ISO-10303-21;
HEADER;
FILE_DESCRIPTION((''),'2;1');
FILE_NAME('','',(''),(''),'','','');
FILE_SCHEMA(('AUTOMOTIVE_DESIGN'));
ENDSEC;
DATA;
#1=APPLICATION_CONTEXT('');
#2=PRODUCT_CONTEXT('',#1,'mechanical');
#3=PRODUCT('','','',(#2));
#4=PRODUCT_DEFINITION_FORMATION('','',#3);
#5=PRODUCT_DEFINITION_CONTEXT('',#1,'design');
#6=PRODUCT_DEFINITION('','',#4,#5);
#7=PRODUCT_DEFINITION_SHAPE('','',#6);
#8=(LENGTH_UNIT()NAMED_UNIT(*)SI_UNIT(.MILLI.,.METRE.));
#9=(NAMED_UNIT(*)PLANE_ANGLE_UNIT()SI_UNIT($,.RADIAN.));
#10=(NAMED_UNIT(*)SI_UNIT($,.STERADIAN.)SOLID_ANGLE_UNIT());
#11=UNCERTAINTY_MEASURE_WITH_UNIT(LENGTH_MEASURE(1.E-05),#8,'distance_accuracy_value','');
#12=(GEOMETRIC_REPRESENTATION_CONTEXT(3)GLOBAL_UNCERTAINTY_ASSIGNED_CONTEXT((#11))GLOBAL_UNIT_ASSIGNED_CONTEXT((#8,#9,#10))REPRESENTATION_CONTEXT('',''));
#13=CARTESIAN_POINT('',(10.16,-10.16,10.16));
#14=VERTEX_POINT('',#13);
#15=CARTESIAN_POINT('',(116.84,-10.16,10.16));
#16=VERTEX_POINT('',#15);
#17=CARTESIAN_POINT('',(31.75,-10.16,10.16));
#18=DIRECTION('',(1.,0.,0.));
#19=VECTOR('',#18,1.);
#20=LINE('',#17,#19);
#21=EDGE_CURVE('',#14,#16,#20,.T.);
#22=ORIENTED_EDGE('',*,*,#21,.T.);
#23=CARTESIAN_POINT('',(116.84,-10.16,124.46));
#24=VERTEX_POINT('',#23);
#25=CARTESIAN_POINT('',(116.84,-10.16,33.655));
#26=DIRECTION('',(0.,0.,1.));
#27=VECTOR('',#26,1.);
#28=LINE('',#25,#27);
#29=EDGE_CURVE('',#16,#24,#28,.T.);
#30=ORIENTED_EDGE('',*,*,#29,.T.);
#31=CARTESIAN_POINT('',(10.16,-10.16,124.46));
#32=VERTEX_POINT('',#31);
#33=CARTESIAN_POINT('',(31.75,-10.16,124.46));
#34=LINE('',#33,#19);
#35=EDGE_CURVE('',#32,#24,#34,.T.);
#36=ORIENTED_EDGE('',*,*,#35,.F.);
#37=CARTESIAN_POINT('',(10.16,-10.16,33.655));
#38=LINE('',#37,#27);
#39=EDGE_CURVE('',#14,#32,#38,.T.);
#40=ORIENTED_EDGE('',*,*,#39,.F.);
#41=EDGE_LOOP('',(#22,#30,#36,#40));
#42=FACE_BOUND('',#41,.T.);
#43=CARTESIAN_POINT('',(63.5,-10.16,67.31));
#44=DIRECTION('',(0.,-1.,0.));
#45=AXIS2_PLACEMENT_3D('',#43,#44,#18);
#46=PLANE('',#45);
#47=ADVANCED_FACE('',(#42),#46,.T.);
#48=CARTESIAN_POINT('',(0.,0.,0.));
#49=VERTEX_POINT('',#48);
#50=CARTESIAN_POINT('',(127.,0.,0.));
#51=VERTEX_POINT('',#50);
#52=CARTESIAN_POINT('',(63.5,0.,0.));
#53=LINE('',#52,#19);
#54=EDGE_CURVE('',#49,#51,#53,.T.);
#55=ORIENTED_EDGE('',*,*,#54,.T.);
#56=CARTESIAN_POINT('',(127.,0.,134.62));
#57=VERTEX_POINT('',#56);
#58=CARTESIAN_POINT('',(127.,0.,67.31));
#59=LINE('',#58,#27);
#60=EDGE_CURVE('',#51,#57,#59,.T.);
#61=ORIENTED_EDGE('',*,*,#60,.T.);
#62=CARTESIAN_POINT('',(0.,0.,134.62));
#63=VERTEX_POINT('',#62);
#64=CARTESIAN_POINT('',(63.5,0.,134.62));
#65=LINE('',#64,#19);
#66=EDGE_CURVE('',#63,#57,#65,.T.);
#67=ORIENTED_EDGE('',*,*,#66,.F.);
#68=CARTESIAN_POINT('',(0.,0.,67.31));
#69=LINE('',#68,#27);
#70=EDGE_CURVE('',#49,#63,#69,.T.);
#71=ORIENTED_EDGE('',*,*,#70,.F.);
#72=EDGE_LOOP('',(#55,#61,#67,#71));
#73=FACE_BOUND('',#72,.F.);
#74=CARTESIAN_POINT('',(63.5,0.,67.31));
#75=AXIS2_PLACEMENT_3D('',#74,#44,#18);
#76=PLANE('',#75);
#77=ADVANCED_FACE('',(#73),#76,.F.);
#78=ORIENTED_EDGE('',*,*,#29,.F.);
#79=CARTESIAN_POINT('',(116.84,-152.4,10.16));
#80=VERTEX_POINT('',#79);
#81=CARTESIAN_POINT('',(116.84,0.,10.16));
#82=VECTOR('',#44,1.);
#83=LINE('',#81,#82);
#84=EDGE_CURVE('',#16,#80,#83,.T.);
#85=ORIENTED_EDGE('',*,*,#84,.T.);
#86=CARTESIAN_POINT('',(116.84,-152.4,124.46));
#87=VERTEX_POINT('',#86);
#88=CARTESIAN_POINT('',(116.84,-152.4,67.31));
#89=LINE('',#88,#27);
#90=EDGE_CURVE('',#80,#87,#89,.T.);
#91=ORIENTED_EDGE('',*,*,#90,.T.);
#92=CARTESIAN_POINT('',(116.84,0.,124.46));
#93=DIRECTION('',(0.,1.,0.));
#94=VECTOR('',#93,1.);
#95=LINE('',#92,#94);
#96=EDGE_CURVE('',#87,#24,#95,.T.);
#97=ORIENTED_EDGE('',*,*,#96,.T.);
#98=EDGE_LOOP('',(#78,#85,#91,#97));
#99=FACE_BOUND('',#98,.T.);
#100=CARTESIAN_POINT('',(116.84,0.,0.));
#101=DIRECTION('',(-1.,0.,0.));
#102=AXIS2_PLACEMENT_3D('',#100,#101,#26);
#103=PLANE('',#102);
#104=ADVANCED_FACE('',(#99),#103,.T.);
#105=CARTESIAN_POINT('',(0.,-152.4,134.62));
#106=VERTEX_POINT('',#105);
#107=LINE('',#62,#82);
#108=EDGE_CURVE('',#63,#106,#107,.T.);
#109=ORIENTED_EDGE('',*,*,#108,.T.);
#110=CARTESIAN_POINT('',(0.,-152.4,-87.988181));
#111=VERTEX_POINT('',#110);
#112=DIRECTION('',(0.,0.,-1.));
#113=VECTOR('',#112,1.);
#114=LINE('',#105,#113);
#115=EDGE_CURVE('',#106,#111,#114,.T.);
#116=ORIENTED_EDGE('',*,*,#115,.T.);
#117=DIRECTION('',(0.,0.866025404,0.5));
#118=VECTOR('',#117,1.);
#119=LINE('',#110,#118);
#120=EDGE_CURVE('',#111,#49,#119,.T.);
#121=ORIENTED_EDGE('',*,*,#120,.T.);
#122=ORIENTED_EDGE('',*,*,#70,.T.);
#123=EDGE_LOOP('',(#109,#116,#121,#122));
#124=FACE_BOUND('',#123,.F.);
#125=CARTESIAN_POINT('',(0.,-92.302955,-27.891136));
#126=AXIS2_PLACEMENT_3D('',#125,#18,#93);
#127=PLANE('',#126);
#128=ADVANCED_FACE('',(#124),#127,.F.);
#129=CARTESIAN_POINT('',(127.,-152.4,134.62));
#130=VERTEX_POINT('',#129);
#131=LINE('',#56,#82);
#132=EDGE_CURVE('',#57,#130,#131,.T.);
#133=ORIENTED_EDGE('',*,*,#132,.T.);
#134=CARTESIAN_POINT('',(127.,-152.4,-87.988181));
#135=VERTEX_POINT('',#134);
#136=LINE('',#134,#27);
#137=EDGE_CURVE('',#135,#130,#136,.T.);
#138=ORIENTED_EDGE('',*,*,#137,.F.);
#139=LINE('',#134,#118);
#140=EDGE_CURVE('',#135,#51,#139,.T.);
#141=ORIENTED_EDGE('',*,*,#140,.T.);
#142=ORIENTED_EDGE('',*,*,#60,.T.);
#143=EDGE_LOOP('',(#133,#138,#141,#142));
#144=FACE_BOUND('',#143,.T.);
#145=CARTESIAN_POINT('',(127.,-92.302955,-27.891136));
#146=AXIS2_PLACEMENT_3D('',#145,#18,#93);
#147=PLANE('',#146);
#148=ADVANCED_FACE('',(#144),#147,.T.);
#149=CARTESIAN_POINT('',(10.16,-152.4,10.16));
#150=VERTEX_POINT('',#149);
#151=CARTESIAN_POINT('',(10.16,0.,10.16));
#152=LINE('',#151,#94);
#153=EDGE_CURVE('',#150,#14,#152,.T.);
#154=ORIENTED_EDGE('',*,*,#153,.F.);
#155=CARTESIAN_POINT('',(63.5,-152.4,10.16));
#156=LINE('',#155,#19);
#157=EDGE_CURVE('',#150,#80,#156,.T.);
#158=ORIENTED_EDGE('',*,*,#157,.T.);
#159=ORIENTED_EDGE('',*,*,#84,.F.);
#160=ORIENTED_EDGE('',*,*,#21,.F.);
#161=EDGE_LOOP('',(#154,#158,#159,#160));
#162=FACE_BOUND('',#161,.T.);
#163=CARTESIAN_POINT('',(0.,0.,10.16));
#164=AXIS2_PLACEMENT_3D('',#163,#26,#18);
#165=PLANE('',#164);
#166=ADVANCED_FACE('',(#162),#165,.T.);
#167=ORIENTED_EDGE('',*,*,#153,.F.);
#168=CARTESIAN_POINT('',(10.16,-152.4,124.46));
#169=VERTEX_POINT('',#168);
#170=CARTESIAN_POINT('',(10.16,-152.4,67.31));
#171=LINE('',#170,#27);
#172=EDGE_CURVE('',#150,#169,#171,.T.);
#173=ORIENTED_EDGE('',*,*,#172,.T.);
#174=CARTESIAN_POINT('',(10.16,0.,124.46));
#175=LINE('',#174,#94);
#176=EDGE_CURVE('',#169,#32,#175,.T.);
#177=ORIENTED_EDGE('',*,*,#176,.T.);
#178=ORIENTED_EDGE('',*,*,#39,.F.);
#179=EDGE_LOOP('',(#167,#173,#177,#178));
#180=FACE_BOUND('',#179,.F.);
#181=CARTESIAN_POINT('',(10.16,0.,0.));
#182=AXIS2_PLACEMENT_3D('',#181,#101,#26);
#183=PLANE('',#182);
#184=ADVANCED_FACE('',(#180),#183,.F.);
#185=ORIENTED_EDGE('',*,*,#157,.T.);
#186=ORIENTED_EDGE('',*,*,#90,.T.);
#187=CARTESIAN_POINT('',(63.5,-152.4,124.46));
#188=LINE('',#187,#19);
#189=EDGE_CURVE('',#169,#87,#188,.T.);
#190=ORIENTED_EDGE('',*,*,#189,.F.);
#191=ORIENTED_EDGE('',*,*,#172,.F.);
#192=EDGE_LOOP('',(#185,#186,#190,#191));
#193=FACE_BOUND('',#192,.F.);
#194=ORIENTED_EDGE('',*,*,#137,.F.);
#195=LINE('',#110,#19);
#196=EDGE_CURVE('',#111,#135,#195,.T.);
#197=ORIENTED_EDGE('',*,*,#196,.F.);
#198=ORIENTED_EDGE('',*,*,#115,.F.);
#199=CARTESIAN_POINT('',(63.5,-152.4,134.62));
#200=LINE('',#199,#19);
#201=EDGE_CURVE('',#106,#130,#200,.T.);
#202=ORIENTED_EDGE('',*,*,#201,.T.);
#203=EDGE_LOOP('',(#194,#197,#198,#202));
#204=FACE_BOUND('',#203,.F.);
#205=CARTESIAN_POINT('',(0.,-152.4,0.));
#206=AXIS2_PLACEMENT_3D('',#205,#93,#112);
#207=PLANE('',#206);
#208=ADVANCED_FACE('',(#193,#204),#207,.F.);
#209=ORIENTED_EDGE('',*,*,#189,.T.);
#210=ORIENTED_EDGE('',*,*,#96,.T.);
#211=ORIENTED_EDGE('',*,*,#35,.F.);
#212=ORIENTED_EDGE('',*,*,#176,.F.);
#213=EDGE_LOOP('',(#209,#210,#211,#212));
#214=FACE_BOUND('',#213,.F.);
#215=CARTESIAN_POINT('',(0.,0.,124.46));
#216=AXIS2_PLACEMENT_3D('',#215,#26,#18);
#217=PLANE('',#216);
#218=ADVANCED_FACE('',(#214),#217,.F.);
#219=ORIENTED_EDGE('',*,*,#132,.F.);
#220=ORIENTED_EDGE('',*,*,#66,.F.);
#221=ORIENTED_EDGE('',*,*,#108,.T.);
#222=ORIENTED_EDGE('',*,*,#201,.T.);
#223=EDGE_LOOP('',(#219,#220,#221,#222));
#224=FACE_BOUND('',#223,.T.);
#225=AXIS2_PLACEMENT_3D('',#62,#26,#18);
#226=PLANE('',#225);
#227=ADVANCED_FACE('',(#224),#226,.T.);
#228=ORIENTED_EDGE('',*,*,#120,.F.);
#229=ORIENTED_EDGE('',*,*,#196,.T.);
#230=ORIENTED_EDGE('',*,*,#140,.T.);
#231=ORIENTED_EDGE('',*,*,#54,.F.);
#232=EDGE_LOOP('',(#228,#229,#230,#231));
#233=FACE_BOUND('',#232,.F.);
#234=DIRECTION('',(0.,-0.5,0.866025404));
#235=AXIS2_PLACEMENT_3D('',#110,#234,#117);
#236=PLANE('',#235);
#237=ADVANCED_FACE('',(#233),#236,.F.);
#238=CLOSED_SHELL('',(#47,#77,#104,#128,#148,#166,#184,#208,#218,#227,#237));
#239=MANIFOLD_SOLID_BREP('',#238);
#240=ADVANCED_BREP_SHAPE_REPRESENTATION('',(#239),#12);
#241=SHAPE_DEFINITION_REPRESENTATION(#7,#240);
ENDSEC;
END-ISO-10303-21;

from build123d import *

# Parameters (mm, degrees)
F0_W     = 127
F0_H     = 134.62
F1_DEPTH = 152.4
F2_T     = -10.16
F4_DEPTH = 127


with BuildPart() as f1:
    # F0 (on Front) → F1 (new body)
    with BuildSketch(Plane.XZ):
        with Locations((63.5, 67.31)):
            Rectangle(F0_W, F0_H)
    extrude(amount=F1_DEPTH)

    # F2
    f2_openings = [f1.faces().sort_by_distance(p)[0] for p in [
        (63.5, -152.4, 67.31),
    ]]
    offset(amount=F2_T, openings=f2_openings)

    # F3 (on Right) → F4 (join, through all)
    with BuildSketch(Plane.YZ):
        Polygon((-152.4, -87.988181), (0, 0), (-152.4, 0), align=None)
    extrude(amount=F4_DEPTH)


solid = f1.part
